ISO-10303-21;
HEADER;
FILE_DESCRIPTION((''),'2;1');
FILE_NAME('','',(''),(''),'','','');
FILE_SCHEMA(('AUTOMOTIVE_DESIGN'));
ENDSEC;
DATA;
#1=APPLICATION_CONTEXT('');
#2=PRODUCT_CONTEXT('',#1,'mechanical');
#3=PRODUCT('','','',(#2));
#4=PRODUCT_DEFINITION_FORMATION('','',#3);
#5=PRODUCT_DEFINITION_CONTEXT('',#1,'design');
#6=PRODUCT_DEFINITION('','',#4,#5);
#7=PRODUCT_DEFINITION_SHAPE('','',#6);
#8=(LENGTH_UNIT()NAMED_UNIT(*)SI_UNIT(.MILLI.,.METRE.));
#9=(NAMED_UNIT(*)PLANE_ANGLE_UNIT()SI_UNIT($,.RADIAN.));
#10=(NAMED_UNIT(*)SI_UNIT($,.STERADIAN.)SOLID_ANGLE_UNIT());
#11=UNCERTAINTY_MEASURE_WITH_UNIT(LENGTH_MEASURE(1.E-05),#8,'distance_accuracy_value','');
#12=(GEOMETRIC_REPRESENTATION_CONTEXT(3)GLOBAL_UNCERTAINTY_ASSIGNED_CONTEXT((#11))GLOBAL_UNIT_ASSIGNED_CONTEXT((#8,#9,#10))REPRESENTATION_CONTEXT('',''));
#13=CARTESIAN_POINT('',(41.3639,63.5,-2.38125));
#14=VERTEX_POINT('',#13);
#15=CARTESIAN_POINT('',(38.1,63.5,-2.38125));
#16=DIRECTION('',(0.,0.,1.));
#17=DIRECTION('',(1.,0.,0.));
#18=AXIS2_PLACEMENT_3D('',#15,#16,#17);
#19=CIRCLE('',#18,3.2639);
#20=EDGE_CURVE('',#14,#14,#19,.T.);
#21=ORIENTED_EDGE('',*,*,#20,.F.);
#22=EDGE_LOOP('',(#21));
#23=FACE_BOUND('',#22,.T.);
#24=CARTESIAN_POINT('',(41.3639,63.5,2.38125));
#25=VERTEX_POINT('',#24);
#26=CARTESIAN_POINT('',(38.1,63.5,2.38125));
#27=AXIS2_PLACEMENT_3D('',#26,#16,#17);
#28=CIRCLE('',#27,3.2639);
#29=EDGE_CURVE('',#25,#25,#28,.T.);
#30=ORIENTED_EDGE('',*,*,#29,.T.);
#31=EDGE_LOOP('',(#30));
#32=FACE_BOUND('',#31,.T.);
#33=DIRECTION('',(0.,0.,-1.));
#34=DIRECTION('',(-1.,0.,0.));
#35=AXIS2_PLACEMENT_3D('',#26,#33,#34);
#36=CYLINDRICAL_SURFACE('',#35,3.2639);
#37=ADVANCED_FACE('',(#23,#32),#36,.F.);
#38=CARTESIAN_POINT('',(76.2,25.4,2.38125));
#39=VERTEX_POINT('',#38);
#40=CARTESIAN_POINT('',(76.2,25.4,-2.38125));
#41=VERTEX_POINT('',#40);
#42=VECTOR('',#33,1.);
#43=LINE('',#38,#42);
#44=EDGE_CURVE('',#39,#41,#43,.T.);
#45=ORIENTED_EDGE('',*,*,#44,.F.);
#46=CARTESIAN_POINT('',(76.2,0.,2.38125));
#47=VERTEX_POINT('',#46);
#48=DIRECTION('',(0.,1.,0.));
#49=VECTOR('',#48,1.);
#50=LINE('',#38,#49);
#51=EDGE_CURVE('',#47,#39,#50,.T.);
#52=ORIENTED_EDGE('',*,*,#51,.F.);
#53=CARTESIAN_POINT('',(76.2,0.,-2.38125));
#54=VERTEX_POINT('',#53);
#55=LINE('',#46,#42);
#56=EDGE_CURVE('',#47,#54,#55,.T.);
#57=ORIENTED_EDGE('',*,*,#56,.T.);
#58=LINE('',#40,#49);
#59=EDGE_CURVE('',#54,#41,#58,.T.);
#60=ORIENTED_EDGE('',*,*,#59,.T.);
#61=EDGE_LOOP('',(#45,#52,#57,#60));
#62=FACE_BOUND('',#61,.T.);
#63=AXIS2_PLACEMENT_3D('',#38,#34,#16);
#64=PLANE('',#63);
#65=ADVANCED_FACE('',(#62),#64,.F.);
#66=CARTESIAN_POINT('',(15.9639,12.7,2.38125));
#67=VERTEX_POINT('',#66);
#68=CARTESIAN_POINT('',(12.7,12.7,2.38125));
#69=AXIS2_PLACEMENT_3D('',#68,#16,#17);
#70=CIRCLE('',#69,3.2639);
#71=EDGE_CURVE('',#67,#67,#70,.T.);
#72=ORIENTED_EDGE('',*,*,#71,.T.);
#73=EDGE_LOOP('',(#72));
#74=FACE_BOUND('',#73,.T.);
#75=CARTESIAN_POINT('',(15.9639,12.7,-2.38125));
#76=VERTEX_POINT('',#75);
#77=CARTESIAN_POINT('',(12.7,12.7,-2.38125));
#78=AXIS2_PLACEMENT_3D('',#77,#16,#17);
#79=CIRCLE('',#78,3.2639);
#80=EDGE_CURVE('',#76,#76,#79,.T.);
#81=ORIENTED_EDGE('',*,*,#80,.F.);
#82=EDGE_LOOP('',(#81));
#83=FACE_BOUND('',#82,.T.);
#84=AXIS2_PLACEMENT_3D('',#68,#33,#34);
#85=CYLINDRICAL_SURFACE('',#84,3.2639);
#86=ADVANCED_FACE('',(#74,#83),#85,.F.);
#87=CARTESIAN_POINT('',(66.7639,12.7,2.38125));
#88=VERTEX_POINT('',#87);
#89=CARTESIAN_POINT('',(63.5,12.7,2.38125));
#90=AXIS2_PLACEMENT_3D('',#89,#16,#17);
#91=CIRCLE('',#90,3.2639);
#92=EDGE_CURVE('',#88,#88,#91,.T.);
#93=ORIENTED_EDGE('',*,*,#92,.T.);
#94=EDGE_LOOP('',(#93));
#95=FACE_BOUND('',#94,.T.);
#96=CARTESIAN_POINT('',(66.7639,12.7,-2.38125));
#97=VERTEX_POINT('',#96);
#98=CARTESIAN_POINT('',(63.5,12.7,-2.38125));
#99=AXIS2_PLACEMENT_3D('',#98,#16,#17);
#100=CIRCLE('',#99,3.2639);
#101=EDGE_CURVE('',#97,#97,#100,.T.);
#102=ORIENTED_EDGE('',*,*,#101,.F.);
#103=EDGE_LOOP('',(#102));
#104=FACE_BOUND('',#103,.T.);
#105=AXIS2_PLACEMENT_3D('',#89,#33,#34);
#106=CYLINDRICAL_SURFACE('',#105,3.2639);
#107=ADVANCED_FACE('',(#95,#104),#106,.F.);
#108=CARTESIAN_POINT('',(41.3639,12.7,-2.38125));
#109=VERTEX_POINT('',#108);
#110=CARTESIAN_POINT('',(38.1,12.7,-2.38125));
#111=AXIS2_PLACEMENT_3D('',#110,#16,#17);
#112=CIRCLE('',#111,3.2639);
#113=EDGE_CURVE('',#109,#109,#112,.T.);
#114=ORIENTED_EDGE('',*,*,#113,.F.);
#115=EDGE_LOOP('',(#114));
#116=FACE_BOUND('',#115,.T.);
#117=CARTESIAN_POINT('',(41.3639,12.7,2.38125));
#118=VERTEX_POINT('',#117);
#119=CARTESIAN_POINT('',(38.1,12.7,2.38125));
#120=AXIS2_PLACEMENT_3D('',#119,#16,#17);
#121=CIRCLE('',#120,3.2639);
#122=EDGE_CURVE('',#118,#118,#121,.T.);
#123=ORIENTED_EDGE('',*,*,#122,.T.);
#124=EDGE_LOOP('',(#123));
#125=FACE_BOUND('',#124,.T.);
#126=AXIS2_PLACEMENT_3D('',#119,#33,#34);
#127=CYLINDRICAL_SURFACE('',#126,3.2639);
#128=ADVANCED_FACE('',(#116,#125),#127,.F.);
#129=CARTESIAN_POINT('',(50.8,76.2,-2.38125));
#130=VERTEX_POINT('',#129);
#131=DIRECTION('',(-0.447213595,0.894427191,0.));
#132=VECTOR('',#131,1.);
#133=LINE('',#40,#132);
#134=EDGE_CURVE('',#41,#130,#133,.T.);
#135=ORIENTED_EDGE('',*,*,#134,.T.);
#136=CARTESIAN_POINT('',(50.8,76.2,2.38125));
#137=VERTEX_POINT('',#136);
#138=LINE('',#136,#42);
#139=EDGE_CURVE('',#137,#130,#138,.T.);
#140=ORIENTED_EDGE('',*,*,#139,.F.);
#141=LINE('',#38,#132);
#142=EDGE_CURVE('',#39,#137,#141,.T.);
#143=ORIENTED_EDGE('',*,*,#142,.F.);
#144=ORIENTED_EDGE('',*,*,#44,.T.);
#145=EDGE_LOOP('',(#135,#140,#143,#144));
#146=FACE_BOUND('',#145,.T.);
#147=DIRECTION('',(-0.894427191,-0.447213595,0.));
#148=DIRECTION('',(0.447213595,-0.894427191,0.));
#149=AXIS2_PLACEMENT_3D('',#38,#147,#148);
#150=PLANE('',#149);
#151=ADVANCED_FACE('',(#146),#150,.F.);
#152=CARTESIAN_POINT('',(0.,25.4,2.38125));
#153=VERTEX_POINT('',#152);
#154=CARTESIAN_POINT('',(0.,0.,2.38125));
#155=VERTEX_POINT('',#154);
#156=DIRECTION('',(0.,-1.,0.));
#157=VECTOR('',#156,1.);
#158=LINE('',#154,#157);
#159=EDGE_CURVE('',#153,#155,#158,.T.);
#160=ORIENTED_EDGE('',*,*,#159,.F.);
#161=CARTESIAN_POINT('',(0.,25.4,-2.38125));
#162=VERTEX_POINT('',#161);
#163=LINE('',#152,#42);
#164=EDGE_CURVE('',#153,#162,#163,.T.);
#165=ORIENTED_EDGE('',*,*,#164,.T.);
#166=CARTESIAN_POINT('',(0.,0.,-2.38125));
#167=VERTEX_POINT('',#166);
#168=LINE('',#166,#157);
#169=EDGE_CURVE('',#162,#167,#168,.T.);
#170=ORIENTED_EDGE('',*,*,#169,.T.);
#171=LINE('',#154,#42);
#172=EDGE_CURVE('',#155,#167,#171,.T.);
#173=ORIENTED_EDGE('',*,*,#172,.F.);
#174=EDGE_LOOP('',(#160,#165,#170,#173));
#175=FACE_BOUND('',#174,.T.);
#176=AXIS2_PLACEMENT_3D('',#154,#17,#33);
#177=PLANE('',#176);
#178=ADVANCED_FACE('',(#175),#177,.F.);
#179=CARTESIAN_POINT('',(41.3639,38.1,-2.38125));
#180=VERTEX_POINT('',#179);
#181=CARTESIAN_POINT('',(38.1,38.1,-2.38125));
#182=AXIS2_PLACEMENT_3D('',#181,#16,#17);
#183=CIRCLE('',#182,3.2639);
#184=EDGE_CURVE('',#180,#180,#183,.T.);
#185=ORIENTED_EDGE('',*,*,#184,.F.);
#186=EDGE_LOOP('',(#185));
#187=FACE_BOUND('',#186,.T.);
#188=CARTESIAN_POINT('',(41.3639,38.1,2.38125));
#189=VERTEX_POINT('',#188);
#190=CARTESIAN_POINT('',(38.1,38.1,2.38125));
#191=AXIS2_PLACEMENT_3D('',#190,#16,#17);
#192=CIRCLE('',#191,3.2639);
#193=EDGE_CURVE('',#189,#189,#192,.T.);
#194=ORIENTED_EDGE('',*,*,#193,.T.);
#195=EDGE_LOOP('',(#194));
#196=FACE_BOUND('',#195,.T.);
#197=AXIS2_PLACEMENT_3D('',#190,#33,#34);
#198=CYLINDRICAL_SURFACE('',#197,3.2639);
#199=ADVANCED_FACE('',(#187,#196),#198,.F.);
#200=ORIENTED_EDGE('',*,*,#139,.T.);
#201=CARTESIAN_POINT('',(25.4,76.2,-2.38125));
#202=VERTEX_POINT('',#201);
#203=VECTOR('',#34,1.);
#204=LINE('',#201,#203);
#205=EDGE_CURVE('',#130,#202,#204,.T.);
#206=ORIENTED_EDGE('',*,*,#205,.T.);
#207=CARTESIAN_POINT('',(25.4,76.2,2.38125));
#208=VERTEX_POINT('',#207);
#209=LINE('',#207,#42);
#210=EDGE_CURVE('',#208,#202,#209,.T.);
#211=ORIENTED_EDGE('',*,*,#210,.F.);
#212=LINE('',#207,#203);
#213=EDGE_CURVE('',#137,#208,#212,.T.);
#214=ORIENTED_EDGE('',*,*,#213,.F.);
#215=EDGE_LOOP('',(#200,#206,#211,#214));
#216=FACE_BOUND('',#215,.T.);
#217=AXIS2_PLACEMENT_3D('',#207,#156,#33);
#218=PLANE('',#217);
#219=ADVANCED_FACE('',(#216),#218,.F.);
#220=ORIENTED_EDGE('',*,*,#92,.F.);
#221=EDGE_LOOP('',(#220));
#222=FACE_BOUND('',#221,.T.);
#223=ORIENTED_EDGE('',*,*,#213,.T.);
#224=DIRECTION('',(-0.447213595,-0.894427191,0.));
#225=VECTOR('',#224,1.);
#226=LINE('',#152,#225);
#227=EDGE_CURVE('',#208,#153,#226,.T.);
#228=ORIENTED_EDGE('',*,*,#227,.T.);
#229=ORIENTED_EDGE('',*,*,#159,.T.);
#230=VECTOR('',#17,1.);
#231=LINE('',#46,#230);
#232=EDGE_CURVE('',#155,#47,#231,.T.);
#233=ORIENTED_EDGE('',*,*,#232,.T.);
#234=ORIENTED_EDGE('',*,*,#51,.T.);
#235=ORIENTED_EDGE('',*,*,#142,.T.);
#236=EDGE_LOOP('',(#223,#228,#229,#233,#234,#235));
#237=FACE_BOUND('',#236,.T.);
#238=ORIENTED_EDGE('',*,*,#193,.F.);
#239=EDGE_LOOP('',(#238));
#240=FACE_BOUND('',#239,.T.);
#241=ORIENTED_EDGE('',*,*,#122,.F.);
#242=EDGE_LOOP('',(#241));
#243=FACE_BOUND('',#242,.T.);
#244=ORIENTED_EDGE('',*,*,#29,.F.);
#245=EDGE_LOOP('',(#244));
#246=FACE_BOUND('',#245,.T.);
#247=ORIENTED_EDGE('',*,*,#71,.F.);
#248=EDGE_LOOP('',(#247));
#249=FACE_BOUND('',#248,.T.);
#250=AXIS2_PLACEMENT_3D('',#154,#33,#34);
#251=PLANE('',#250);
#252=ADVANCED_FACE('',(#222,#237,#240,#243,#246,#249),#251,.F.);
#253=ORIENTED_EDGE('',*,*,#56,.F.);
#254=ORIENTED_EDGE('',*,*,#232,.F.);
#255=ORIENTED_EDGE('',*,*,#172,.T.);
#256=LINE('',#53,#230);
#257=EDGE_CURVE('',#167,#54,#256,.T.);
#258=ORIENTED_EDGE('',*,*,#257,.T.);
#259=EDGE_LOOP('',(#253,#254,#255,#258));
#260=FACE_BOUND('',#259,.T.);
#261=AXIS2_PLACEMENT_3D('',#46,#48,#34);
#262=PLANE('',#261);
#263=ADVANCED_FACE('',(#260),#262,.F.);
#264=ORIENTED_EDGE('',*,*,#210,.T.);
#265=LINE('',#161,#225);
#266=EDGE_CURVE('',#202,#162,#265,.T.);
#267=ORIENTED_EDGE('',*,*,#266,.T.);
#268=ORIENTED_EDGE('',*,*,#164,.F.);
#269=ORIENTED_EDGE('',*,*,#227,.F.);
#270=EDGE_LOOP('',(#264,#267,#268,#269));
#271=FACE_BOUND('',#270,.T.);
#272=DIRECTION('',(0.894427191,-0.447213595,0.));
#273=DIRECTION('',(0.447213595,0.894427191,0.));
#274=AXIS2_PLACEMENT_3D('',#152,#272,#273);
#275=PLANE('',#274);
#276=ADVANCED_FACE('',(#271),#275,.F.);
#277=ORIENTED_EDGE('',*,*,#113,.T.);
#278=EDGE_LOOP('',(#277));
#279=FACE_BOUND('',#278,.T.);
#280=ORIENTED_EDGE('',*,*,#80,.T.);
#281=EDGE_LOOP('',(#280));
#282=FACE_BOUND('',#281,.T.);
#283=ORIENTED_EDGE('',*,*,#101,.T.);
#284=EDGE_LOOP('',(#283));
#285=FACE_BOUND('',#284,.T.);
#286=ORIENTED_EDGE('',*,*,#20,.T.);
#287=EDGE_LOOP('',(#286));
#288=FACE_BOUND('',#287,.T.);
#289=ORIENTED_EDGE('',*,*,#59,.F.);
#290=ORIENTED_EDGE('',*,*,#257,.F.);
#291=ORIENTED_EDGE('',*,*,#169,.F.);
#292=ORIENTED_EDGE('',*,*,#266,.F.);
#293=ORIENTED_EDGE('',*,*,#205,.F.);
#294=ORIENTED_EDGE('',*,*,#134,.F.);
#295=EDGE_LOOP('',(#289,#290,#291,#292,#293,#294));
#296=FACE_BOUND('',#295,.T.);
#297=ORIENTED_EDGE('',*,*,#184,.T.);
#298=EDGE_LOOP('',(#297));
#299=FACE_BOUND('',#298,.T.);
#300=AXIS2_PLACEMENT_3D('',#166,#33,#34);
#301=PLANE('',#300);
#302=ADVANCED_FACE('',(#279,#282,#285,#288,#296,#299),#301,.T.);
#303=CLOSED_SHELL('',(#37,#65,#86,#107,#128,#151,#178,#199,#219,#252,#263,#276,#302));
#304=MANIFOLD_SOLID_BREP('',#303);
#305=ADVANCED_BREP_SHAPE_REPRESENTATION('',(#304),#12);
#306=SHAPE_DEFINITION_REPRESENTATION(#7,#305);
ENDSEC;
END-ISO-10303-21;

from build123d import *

# Parameters (mm, degrees)
SKETCH1_R           = 3.2639
BOSS_EXTRUDE1_DEPTH = 2.38125


with BuildPart() as part:
    # Sketch1 → Boss-Extrude1 (new body, symmetric)
    with BuildSketch(Plane.XY):
        Polygon((0, 0), (0, 25.4), (25.4, 76.2), (50.8, 76.2), (76.2, 25.4), (76.2, 0), align=None)
        with Locations((12.7, 12.7)):
            Circle(SKETCH1_R, mode=Mode.SUBTRACT)
        with Locations((38.1, 12.7)):
            Circle(SKETCH1_R, mode=Mode.SUBTRACT)
        with Locations((63.5, 12.7)):
            Circle(SKETCH1_R, mode=Mode.SUBTRACT)
        with Locations((38.1, 38.1)):
            Circle(SKETCH1_R, mode=Mode.SUBTRACT)
        with Locations((38.1, 63.5)):
            Circle(SKETCH1_R, mode=Mode.SUBTRACT)
    extrude(amount=BOSS_EXTRUDE1_DEPTH, both=True)


solid = part.part
